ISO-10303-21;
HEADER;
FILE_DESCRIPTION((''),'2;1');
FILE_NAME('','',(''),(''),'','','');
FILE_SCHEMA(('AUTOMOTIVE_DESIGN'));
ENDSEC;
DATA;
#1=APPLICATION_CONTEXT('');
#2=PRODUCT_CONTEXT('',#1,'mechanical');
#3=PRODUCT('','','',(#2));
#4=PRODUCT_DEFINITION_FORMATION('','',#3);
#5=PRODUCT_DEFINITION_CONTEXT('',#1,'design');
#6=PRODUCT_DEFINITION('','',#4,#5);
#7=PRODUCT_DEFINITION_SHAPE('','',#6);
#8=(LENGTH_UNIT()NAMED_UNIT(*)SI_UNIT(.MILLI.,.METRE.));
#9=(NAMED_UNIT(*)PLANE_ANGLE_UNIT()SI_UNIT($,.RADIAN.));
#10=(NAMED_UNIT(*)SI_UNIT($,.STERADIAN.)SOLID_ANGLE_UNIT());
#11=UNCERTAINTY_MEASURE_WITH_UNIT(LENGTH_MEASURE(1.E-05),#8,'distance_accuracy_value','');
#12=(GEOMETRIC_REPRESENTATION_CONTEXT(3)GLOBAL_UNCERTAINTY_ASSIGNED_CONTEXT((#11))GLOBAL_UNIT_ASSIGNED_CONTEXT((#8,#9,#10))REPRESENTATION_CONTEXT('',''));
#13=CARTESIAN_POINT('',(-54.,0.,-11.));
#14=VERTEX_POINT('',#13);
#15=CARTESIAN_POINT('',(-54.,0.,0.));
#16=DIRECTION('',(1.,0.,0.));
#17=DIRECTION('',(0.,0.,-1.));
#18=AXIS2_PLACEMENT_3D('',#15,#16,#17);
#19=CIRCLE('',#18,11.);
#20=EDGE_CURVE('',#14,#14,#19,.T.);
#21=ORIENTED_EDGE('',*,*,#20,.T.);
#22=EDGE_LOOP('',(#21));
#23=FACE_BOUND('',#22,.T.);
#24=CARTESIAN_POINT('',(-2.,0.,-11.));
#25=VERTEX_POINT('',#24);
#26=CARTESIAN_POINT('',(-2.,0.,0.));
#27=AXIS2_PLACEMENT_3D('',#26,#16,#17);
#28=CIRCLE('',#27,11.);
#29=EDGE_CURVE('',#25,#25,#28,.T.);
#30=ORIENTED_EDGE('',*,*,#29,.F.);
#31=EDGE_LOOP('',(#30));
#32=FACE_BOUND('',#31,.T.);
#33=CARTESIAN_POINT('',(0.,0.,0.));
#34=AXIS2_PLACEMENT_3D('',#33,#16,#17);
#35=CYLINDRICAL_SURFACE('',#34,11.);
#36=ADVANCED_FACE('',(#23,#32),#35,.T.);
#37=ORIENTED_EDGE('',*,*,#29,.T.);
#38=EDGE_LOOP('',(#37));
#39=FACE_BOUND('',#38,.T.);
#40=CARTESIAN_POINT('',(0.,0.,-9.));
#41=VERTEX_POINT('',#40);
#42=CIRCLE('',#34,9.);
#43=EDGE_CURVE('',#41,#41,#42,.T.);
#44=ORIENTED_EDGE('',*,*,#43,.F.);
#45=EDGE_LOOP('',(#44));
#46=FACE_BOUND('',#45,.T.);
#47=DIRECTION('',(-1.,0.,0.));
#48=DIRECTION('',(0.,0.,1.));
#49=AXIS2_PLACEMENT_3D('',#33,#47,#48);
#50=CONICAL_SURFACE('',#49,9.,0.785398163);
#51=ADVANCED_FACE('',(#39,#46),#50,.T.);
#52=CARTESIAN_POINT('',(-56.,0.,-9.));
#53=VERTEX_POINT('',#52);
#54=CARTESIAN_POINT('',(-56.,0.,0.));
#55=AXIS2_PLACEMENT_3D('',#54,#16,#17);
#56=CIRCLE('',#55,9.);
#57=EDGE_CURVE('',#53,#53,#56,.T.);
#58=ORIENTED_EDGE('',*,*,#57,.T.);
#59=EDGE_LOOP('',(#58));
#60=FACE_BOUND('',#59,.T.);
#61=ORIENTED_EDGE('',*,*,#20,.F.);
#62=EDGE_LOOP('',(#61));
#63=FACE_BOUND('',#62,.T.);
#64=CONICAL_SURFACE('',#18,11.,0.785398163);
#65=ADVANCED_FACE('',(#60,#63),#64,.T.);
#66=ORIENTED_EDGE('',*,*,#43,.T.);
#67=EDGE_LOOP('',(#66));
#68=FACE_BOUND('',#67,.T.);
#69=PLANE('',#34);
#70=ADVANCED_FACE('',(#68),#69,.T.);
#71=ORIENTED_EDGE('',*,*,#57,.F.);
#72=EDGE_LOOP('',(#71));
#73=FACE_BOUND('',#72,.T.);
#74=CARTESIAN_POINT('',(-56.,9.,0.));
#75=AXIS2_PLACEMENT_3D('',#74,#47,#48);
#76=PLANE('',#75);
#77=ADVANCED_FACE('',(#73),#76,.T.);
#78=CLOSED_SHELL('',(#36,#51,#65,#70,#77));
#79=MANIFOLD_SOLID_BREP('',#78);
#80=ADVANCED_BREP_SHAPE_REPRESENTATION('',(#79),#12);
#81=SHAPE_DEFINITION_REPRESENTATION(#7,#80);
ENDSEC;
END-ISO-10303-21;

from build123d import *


with BuildPart() as part:
    # Эскиз1 → Повернуть1 (revolve)
    with BuildSketch(Plane.XY, mode=Mode.PRIVATE) as revolve_1_sk:
        Polygon((0, 0), (0, 9), (-2, 11), (-54, 11), (-56, 9), (-56, 0), align=None)
    revolve(revolve_1_sk.sketch.rotate(Axis((0, 0, 0), (-1, 0, 0)), 90), axis=Axis((0, 0, 0), (-1, 0, 0)))


solid = part.part
